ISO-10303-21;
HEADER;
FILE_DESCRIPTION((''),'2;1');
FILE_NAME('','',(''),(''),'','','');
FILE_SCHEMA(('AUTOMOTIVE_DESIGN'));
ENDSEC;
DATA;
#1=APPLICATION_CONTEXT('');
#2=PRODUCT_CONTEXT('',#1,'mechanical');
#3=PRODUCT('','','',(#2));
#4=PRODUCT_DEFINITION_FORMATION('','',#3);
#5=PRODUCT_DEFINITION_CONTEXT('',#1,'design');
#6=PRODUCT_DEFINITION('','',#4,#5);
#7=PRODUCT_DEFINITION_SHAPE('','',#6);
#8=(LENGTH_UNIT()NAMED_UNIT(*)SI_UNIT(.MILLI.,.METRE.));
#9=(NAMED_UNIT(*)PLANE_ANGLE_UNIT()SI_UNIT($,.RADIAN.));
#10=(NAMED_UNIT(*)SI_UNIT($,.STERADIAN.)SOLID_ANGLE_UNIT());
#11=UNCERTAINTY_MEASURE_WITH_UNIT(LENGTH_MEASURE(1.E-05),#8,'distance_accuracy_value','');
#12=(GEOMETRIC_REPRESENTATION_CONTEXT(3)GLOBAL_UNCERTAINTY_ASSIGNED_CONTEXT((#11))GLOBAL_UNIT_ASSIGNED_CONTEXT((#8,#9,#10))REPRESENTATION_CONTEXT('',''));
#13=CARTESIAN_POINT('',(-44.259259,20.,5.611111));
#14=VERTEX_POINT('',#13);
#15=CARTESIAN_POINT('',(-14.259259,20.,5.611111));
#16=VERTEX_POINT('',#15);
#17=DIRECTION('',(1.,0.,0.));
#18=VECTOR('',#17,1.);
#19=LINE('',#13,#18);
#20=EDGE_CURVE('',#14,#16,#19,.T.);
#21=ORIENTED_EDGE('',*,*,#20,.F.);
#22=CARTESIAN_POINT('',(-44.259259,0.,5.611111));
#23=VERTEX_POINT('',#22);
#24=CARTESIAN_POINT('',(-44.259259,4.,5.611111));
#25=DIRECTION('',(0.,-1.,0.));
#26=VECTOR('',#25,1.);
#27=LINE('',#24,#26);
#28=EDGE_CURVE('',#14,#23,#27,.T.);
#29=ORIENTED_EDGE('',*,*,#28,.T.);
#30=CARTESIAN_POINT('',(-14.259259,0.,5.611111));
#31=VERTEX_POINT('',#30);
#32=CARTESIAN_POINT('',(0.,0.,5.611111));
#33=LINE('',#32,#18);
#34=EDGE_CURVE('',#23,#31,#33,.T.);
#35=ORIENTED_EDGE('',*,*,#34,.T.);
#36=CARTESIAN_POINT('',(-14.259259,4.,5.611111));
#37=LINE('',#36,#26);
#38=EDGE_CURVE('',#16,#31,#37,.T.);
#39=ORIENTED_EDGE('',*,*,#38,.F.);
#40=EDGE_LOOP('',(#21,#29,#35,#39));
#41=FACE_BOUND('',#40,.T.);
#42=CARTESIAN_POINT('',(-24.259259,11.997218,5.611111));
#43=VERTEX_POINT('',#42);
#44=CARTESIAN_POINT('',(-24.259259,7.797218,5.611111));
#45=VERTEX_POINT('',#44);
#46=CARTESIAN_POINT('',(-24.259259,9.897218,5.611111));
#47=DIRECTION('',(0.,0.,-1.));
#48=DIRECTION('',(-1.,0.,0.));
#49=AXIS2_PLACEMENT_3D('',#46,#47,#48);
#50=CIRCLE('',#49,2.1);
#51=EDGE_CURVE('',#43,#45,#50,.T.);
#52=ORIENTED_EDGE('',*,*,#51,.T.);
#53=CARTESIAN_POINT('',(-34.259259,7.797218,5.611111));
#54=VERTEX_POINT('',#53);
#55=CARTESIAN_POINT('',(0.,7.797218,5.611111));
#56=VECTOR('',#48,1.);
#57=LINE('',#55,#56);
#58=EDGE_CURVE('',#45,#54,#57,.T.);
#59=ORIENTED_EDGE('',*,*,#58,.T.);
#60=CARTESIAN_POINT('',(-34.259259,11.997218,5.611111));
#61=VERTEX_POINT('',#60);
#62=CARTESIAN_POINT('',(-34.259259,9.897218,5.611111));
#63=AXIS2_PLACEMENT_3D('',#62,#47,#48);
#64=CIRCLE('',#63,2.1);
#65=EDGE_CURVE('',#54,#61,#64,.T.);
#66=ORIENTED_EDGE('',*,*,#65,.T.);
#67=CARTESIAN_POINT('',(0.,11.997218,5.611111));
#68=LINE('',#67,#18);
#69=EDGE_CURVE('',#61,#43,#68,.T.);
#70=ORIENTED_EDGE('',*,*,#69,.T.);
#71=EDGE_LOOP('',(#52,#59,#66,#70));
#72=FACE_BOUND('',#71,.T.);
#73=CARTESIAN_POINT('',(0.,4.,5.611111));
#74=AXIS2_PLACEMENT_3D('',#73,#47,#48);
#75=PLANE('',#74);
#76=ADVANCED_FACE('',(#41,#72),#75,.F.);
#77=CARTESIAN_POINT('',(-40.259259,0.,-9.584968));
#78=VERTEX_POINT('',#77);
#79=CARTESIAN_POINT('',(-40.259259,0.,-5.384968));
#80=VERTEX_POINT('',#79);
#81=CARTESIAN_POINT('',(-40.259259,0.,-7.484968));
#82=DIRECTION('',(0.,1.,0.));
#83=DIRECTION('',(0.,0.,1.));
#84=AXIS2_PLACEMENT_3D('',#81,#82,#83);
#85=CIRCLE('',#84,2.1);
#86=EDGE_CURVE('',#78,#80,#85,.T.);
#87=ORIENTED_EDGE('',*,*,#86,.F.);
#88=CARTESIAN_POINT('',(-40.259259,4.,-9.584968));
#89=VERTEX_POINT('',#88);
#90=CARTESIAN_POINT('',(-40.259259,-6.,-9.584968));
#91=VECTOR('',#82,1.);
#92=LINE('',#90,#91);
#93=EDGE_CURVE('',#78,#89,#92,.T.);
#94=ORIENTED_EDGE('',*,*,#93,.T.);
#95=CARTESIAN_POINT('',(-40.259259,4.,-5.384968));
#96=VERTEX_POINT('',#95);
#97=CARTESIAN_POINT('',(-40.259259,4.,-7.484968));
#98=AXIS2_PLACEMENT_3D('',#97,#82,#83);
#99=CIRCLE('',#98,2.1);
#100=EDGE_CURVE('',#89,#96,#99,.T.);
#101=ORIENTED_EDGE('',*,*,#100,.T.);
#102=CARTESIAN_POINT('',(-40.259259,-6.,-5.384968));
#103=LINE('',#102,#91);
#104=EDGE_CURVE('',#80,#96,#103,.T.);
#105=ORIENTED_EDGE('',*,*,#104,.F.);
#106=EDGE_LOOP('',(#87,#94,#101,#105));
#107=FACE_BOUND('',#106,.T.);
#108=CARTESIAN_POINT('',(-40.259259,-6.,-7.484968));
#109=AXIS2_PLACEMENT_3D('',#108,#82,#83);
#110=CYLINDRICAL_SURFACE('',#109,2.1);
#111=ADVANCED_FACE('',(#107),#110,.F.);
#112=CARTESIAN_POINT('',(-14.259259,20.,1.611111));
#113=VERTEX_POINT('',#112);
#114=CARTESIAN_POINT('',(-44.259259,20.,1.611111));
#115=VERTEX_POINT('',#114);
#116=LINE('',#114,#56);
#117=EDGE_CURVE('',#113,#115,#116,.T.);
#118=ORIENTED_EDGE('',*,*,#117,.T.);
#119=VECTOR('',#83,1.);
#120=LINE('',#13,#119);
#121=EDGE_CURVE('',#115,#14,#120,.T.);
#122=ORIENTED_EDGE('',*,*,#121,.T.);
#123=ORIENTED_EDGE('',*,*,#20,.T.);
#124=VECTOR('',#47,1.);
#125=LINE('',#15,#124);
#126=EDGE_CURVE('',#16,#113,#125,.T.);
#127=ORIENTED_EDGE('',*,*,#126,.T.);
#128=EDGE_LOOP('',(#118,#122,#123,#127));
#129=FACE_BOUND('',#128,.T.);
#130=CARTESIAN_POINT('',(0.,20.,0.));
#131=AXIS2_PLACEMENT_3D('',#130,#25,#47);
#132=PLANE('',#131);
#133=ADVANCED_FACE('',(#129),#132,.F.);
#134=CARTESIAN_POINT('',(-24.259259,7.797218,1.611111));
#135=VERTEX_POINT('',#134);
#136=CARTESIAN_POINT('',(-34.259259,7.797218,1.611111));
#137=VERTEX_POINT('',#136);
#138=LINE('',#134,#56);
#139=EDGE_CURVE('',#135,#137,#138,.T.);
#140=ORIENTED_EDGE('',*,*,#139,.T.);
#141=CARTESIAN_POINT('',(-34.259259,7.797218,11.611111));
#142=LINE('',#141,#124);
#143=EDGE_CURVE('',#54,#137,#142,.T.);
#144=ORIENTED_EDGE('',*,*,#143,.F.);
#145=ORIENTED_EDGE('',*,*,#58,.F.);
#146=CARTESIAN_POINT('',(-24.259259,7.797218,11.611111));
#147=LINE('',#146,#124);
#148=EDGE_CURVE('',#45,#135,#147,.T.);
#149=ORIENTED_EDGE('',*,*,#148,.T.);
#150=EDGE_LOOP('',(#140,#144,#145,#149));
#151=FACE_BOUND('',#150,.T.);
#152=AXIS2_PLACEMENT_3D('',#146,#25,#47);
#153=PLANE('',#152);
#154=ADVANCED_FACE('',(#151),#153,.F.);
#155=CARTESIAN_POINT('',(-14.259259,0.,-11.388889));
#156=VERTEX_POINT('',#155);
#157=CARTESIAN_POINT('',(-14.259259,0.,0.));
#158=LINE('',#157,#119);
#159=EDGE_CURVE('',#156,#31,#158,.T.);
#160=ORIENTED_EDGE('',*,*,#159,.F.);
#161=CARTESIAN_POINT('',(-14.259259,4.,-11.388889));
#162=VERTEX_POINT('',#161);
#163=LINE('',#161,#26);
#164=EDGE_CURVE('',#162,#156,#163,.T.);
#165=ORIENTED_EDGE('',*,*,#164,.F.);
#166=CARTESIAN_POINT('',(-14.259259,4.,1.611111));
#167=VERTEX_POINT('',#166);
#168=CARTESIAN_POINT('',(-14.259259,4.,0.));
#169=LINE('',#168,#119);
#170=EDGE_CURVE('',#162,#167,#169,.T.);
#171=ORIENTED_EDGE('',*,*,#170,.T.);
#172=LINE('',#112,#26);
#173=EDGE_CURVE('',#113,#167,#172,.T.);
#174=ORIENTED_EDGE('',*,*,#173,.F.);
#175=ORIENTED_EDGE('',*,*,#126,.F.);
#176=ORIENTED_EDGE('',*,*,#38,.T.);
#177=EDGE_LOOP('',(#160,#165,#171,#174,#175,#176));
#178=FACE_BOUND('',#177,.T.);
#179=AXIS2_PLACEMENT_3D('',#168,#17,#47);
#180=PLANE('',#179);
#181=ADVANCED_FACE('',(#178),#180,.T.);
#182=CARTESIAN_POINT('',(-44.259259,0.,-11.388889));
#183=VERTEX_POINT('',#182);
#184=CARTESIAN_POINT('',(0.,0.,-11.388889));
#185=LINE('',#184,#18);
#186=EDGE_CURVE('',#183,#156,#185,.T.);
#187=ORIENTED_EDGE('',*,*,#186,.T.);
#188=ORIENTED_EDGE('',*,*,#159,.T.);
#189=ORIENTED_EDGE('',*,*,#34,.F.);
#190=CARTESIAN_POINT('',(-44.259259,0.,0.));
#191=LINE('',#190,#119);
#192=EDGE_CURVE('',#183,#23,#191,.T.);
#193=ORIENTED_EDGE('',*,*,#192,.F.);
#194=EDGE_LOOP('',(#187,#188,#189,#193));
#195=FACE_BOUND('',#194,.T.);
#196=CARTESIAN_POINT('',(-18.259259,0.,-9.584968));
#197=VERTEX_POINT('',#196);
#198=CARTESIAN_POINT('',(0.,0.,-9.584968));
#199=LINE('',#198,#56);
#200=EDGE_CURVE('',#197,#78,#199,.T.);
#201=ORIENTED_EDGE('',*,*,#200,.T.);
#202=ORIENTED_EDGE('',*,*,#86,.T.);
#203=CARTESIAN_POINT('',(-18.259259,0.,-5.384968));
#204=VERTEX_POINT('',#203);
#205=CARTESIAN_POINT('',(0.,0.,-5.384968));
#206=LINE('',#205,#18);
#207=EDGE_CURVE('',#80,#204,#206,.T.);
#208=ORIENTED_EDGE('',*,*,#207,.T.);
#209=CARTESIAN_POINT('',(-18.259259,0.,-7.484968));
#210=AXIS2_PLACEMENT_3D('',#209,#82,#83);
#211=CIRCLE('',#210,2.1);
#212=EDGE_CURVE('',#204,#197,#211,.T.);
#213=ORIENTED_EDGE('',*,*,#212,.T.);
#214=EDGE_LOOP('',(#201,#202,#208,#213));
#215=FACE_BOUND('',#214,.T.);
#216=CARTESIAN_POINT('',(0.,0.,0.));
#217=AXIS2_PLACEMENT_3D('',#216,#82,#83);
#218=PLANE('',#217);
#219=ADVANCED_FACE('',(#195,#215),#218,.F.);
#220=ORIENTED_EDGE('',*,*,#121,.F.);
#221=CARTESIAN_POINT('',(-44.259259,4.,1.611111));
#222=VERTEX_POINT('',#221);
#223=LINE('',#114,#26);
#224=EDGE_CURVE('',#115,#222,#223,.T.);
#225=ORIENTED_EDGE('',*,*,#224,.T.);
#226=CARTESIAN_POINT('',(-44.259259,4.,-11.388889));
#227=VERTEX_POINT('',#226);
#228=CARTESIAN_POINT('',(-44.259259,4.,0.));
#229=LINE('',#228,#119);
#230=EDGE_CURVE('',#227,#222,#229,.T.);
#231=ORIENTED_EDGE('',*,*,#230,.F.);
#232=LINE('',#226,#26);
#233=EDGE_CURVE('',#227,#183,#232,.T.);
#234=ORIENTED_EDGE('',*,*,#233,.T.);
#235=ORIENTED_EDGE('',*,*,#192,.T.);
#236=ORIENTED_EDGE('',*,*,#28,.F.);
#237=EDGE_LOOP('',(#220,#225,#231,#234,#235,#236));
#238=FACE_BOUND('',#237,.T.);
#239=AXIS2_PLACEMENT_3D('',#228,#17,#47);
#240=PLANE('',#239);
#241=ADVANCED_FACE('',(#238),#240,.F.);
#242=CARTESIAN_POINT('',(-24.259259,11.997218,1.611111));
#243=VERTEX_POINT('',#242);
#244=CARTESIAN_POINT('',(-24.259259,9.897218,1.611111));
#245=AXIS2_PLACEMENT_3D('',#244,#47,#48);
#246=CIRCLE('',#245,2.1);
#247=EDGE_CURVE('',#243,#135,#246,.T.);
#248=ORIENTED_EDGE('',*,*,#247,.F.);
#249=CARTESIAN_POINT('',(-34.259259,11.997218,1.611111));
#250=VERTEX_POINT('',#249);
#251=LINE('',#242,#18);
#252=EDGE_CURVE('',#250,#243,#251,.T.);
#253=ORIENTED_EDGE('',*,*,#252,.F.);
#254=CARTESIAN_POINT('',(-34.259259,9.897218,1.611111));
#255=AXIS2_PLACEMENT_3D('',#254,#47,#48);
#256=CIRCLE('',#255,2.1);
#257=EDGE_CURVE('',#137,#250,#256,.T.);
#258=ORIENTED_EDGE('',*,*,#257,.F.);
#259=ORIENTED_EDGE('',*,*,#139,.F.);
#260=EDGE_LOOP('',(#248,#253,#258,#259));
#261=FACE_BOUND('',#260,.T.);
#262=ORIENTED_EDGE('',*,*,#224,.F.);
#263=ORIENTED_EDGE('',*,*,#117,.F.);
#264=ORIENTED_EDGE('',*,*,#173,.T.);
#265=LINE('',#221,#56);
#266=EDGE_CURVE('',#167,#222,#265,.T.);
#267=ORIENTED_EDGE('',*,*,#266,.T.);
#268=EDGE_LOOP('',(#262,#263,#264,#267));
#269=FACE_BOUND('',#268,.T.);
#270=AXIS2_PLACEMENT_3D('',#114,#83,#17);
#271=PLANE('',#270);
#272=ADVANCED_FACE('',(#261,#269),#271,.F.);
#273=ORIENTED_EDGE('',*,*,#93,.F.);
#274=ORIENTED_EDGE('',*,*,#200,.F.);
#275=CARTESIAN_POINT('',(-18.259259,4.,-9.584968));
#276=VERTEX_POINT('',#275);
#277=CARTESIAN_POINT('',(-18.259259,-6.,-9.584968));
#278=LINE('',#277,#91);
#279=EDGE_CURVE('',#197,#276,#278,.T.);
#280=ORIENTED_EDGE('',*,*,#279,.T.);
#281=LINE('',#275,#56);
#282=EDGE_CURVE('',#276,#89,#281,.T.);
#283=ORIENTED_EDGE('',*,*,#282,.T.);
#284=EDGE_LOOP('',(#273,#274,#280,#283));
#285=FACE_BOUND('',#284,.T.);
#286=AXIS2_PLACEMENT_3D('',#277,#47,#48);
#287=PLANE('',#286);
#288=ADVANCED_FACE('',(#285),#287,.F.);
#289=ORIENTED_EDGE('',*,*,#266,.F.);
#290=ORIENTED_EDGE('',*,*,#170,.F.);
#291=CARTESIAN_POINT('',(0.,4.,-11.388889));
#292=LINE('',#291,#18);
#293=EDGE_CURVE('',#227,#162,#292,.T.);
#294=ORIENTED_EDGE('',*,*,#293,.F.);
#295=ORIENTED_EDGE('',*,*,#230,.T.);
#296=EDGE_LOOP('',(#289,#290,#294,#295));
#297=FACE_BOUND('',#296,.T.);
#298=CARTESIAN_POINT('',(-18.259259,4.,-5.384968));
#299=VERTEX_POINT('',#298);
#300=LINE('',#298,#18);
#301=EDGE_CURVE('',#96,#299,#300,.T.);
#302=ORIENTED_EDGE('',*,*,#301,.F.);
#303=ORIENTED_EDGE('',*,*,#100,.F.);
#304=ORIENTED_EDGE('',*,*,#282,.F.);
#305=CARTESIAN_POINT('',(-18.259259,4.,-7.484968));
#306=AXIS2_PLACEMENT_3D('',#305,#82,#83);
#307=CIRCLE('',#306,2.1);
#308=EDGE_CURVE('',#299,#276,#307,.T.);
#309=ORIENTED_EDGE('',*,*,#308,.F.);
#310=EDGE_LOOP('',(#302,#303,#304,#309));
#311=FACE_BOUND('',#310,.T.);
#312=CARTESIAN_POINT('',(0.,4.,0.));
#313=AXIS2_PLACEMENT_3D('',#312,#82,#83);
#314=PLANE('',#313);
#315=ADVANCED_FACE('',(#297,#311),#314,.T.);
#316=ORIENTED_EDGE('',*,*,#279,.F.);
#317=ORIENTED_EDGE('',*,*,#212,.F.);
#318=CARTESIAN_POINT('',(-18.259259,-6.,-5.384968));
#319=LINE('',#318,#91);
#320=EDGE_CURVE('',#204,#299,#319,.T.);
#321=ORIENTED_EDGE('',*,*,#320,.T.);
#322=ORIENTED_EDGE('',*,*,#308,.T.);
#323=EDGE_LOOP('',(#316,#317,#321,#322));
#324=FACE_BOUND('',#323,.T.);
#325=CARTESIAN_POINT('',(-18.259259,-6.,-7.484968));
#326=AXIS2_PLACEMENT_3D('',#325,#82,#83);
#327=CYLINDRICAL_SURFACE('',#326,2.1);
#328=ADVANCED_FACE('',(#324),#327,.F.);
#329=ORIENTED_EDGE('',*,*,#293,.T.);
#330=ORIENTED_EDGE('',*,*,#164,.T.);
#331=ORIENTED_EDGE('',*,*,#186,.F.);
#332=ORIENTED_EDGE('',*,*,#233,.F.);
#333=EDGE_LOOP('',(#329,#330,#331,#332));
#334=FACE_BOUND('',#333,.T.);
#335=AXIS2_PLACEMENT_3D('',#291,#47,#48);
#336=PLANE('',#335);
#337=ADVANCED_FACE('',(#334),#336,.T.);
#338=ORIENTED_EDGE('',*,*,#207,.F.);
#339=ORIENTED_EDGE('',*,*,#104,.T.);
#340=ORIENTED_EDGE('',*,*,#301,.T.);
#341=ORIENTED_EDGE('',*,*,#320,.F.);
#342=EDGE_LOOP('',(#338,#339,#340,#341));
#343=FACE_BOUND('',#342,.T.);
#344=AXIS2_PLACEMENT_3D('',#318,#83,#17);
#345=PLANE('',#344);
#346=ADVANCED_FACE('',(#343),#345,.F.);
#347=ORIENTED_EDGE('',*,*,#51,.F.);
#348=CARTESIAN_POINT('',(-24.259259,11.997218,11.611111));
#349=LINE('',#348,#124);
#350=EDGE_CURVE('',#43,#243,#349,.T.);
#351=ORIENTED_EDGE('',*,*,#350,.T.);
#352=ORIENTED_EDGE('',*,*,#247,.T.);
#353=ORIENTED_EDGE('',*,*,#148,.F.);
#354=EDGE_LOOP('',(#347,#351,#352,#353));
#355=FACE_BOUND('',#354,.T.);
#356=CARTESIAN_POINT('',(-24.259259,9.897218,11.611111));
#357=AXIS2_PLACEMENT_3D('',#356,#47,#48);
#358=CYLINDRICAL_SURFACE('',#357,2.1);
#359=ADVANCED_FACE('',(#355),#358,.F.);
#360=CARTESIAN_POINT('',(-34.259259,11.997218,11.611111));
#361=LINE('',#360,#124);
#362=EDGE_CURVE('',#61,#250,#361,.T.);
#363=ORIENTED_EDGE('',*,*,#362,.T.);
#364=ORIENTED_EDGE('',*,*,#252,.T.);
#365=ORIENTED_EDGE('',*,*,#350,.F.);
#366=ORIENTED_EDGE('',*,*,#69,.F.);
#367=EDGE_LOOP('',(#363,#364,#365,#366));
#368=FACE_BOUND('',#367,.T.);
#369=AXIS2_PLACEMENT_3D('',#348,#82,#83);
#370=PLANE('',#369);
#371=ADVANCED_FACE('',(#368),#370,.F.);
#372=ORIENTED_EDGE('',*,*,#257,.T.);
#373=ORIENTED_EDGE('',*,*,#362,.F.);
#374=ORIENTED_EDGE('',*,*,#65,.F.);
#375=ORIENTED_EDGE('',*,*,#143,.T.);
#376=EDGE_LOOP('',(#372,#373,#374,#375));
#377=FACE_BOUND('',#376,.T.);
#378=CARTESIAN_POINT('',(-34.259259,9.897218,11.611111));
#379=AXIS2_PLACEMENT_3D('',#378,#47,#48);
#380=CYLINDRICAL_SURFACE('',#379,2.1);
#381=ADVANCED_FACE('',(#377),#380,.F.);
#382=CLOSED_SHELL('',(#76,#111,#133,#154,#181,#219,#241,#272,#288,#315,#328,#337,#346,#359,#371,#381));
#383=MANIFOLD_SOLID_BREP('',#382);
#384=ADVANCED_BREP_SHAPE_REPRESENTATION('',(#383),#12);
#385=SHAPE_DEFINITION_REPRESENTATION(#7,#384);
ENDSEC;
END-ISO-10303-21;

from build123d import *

# Parameters (mm, degrees)
SKETCH1_W           = 30
SKETCH1_H           = 17
BOSS_EXTRUDE1_DEPTH = 4
SKETCH5_W           = 30
SKETCH5_H           = 4
BOSS_EXTRUDE2_DEPTH = 16
CUT_EXTRUDE3_DEPTH  = 10
CUT_EXTRUDE5_DEPTH  = 10


with BuildPart() as part:
    # Sketch1 → Boss-Extrude1 (new body)
    with BuildSketch(Plane(origin=(0, 0, 0), x_dir=(1, 0, 0), z_dir=(0, 1, 0))):
        with Locations((-29.259259259, 2.888888889)):
            Rectangle(SKETCH1_W, SKETCH1_H)
    extrude(amount=BOSS_EXTRUDE1_DEPTH)

    # Sketch5 → Boss-Extrude2 (add)
    with BuildSketch(Plane(origin=(0, 4, 0), x_dir=(1, 0, 0), z_dir=(0, 1, 0))):
        with Locations((-29.259259259, -3.611111111)):
            Rectangle(SKETCH5_W, SKETCH5_H)
    extrude(amount=BOSS_EXTRUDE2_DEPTH)

    # Sketch7 → Cut-Extrude3 (cut)
    with BuildSketch(Plane(origin=(0, 4, 0), x_dir=(1, 0, 0), z_dir=(0, 1, 0))):
        with BuildLine():
            Line((-18.259259259, 5.384968307), (-40.259259259, 5.384968307))
            ThreePointArc((-40.259259259, 5.384968307), (-42.359259259, 7.484968307), (-40.259259259, 9.584968307))
            Line((-40.259259259, 9.584968307), (-18.259259259, 9.584968307))
            ThreePointArc((-18.259259259, 9.584968307), (-16.159259259, 7.484968307), (-18.259259259, 5.384968307))
        make_face()
    extrude(amount=-CUT_EXTRUDE3_DEPTH, mode=Mode.SUBTRACT)

    # Sketch8 → Cut-Extrude5 (cut)
    with BuildSketch(Plane(origin=(0, 0, 1.611111111), x_dir=(-1, 0, 0), z_dir=(0, 0, -1))):
        with BuildLine():
            Line((24.259259259, 11.997218425), (34.259259259, 11.997218425))
            ThreePointArc((34.259259259, 11.997218425), (36.359259259, 9.897218425), (34.259259259, 7.797218425))
            Line((34.259259259, 7.797218425), (24.259259259, 7.797218425))
            ThreePointArc((24.259259259, 7.797218425), (22.159259259, 9.897218425), (24.259259259, 11.997218425))
        make_face()
    extrude(amount=-CUT_EXTRUDE5_DEPTH, mode=Mode.SUBTRACT)


solid = part.part
